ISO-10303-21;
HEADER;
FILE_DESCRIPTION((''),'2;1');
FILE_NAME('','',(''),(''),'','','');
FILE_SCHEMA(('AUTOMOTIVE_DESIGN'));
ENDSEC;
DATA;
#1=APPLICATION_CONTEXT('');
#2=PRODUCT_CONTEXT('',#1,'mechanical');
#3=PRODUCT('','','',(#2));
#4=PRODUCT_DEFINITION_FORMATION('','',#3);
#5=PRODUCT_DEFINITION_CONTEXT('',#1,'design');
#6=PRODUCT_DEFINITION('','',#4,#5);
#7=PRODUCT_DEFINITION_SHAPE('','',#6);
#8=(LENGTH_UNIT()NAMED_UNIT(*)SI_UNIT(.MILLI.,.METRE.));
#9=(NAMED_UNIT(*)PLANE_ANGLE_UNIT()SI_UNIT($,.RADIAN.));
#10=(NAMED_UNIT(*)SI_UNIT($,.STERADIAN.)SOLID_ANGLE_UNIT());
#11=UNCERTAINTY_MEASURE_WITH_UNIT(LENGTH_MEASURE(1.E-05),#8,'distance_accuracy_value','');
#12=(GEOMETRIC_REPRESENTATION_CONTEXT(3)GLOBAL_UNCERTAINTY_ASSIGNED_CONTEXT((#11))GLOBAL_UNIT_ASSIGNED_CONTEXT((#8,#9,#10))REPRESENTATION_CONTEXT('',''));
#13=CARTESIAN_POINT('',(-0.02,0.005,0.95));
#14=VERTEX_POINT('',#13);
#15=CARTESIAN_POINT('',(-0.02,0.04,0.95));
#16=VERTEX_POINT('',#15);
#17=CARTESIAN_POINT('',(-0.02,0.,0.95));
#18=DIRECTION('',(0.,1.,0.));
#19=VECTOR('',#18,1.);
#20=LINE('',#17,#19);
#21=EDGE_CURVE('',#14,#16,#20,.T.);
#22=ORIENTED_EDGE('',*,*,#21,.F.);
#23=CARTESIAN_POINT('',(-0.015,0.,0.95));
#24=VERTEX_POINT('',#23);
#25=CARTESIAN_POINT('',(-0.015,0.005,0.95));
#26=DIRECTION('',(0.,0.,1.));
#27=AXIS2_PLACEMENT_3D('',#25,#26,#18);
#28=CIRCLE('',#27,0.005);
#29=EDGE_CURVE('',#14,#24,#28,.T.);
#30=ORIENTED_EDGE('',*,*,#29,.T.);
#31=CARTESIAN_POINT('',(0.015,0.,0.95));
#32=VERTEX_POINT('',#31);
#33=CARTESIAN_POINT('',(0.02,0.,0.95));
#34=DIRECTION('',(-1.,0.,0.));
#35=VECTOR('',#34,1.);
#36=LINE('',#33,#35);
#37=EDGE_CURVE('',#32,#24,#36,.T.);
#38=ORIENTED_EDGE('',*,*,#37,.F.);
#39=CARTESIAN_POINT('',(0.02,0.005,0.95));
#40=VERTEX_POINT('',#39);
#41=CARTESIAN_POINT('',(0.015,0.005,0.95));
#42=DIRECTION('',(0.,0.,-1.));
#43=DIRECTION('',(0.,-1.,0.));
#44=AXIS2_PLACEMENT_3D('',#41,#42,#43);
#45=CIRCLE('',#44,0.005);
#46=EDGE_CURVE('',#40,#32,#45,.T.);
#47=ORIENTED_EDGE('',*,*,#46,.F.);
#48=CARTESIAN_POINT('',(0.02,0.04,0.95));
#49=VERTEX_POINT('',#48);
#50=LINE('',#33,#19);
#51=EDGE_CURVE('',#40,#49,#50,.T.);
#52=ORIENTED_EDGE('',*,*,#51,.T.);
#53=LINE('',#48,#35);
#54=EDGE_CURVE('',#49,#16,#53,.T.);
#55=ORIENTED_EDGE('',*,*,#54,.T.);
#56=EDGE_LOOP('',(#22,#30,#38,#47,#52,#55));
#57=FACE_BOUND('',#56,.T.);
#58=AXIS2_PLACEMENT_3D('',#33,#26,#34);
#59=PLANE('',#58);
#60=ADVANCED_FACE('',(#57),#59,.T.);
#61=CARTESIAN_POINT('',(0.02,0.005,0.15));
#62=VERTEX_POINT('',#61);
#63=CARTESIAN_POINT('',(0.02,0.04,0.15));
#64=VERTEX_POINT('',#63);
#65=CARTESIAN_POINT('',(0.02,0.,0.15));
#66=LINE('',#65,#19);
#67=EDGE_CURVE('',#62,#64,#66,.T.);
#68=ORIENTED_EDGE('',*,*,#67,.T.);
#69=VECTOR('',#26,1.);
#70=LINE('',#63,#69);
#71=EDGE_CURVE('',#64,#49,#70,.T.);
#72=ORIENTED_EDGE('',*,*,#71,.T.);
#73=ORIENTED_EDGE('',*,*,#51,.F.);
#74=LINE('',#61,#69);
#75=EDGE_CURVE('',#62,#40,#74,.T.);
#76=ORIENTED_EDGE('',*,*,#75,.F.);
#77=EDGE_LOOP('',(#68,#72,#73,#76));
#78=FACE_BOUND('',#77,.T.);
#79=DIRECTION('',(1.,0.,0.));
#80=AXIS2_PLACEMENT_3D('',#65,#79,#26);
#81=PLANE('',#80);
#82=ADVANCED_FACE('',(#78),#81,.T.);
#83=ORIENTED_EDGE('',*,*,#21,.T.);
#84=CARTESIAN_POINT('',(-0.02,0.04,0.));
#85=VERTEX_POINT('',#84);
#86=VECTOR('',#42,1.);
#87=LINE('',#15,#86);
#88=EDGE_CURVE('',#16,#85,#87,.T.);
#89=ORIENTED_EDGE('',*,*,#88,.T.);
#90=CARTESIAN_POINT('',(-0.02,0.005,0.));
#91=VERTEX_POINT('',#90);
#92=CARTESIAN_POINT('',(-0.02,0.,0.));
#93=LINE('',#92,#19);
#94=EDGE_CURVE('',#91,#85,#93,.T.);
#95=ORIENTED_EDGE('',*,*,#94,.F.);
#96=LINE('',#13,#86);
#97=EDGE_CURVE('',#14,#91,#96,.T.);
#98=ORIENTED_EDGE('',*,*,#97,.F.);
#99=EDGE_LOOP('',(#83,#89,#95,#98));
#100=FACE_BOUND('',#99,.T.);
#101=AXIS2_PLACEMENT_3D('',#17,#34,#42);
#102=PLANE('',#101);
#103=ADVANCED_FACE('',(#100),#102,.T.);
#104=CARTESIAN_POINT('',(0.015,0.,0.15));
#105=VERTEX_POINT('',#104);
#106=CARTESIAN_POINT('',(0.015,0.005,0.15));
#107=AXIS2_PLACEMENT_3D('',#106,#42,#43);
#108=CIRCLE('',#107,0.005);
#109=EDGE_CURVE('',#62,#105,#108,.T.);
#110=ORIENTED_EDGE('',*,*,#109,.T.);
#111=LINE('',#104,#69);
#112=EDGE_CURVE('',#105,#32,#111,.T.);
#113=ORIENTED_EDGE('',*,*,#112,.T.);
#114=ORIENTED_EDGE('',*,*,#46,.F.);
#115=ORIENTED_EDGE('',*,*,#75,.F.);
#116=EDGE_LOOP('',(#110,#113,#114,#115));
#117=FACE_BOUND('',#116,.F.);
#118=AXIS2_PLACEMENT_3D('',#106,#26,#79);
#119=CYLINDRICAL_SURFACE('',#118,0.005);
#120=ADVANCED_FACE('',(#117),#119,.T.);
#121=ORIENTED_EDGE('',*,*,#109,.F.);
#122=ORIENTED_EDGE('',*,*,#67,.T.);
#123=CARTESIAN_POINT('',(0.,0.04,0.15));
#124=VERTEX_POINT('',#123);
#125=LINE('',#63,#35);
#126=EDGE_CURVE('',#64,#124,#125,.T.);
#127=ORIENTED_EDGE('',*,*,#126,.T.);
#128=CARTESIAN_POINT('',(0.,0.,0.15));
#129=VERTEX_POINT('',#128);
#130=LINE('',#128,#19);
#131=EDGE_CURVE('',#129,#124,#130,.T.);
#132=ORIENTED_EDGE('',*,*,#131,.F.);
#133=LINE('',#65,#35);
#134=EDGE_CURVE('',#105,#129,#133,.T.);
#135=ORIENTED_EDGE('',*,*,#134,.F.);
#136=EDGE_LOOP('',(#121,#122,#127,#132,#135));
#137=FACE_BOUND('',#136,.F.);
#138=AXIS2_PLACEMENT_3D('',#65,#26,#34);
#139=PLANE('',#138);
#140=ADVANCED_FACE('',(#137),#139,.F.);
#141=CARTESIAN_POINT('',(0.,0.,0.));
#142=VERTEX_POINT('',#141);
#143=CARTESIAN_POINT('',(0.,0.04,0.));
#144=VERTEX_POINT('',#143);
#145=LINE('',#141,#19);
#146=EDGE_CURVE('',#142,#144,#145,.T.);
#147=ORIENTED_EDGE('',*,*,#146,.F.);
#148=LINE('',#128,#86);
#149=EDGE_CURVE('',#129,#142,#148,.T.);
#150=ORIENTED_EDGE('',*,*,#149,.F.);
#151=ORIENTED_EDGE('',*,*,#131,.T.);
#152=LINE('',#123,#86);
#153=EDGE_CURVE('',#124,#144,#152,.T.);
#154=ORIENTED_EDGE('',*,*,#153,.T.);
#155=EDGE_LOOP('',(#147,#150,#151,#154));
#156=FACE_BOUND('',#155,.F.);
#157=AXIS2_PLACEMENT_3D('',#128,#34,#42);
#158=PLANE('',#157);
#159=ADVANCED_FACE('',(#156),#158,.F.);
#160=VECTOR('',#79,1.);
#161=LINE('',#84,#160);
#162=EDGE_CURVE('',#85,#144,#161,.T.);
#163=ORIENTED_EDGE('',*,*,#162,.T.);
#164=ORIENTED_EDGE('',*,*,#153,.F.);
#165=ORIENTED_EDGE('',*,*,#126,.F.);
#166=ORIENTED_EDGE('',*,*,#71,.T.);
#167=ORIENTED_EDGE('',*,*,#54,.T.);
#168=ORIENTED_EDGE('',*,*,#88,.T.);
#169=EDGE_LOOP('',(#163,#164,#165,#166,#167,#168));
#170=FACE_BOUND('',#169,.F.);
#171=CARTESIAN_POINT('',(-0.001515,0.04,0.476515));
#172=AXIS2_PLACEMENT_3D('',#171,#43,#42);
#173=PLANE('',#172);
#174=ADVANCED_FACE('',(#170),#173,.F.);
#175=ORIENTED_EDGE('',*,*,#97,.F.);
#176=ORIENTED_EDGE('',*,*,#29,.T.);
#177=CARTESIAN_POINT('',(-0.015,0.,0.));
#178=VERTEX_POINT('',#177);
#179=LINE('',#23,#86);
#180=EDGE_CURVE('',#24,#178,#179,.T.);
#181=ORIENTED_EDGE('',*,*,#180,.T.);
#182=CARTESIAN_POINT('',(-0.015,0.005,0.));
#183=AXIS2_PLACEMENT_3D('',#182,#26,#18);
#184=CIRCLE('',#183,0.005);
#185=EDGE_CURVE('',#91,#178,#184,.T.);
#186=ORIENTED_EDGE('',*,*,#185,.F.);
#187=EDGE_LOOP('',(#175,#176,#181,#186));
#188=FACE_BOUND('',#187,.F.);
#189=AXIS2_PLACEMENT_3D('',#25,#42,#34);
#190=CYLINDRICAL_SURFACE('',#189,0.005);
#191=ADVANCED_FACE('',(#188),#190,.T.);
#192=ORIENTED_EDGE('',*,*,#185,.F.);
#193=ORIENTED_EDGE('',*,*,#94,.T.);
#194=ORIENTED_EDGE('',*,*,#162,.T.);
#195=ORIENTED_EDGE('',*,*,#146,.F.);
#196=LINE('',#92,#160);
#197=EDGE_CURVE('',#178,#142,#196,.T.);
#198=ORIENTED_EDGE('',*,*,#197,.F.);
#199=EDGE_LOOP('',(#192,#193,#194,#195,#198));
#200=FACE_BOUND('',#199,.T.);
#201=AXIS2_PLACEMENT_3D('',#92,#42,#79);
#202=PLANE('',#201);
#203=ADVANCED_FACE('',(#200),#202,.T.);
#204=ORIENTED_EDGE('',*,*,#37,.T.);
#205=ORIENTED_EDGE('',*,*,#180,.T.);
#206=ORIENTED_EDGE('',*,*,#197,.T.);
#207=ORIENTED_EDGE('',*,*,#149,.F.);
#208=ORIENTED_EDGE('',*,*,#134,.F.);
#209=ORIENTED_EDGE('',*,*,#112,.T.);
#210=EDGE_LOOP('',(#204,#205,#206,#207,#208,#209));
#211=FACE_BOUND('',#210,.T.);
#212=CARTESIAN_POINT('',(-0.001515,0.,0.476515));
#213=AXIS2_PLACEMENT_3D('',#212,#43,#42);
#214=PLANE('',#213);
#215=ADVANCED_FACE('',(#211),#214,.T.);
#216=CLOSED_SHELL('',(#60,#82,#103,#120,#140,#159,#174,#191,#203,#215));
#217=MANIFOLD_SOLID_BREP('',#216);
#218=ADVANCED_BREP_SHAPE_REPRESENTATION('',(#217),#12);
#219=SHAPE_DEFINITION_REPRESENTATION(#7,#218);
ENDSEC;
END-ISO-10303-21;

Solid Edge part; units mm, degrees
sketch "Sketch1" plane through (0, 0, 0) normal (0, -1, 0) x (1, 0, 0)
  line L0 (-0.02, 0) -> (0, 0)
  line L1 (0, 0.15) -> (0, 0)
  line L2 (0.02, 0.15) -> (0, 0.15)
  line L3 (0.02, 0.15) -> (0.02, 0.95)
  line L4 (0.02, 0.95) -> (-0.02, 0.95)
  line L5 (-0.02, 0.95) -> (-0.02, 0)
  dimension "D1" = 0.95
  dimension "D2" = 0.04
  dimension "D3" = 0.15
extrude "Protrusion1" add sketch "Sketch1" against normal blind 0.04
fillet "Verrundung_1" radius 0.005 2 edges at (0.02, 0, 0.55) (-0.02, 0, 0.475)
